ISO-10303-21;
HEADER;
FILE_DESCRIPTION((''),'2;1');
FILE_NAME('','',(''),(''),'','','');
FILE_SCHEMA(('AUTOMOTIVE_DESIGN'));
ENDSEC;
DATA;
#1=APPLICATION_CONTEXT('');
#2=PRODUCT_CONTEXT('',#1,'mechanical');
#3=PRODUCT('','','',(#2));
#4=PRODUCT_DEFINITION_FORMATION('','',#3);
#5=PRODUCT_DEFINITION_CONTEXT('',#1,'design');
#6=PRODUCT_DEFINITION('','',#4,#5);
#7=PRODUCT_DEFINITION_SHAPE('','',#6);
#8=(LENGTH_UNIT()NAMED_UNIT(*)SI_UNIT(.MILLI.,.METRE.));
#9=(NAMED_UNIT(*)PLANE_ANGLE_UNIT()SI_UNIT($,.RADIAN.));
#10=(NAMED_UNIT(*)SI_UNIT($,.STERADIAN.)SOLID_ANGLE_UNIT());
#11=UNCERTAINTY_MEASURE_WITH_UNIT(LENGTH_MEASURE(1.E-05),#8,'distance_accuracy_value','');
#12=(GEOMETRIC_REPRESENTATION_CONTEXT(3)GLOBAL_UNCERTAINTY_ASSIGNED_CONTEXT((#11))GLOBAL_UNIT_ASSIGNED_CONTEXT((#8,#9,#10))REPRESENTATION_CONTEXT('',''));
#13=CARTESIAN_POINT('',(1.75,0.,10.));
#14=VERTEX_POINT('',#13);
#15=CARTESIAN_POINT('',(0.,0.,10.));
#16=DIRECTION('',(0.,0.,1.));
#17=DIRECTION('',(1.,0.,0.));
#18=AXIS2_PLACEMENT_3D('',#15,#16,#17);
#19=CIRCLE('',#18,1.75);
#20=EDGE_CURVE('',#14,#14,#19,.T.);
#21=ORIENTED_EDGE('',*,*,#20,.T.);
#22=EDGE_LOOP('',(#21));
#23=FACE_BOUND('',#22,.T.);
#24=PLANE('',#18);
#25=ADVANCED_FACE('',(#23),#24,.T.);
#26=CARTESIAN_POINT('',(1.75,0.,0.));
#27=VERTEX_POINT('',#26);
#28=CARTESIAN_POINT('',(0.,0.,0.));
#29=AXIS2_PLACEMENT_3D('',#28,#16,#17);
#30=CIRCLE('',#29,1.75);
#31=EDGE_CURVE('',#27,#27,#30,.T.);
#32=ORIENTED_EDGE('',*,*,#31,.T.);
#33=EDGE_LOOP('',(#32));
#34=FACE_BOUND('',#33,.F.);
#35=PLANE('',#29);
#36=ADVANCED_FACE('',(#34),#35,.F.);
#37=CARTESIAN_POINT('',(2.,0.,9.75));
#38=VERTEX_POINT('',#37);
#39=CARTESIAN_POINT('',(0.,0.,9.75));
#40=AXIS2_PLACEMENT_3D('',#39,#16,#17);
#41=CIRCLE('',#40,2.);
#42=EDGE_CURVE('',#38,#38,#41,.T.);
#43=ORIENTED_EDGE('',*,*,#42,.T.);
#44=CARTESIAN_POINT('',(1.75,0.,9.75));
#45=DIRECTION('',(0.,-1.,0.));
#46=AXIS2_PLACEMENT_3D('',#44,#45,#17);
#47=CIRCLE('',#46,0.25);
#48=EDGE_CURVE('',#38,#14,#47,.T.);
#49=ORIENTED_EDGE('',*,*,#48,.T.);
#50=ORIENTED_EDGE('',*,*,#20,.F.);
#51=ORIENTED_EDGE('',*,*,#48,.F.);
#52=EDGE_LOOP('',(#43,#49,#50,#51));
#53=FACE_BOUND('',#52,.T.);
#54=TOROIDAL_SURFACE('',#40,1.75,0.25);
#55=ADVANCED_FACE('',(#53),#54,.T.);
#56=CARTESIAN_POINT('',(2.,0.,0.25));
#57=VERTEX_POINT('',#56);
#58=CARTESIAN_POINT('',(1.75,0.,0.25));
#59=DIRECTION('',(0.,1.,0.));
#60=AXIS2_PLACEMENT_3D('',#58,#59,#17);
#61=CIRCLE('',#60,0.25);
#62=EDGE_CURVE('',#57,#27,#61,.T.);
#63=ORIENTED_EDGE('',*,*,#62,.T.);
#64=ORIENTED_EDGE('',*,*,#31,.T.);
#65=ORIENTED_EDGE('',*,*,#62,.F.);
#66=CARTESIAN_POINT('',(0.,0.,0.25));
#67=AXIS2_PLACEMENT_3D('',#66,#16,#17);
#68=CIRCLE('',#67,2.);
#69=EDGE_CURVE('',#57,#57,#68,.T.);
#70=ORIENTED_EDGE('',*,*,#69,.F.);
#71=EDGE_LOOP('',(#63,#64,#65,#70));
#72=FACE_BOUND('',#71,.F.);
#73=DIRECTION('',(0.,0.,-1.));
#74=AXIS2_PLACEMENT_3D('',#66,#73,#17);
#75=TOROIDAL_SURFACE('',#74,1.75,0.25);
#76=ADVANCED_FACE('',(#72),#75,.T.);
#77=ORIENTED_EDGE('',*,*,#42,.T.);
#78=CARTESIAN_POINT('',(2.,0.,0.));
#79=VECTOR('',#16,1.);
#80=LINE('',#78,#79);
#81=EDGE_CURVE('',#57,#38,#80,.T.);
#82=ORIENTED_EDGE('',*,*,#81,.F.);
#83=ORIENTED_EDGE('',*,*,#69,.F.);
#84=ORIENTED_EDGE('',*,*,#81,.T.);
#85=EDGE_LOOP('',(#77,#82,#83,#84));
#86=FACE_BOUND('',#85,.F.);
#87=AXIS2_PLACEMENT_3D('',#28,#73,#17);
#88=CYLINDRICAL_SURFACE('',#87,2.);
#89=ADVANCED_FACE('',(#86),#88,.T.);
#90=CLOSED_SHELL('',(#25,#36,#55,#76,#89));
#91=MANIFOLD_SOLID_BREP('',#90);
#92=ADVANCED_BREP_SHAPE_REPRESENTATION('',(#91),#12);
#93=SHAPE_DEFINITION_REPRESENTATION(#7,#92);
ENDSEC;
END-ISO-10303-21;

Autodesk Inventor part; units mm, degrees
ref_plane "YZ Plane" through (0, 0, 0) normal (1, 0, 0) x (0, 1, 0)
ref_plane "XZ Plane" through (0, 0, 0) normal (0, 1, 0) x (-1, 0, 0)
ref_plane "XY Plane" through (0, 0, 0) normal (0, 0, 1) x (1, 0, 0)
sketch "Sketch1" plane through (0, 0, 0) normal (0, 0, 1) x (1, 0, 0)
  circle A0 centre (0, 0) radius 2
  dimension "d0" = 4
extrude "Extrusion1" add sketch "Sketch1" along normal blind 10
fillet "Fillet1" radius 0.25 2 edges at (-2, 0, 10) (-2, 0, 0)
properties part number "22"
